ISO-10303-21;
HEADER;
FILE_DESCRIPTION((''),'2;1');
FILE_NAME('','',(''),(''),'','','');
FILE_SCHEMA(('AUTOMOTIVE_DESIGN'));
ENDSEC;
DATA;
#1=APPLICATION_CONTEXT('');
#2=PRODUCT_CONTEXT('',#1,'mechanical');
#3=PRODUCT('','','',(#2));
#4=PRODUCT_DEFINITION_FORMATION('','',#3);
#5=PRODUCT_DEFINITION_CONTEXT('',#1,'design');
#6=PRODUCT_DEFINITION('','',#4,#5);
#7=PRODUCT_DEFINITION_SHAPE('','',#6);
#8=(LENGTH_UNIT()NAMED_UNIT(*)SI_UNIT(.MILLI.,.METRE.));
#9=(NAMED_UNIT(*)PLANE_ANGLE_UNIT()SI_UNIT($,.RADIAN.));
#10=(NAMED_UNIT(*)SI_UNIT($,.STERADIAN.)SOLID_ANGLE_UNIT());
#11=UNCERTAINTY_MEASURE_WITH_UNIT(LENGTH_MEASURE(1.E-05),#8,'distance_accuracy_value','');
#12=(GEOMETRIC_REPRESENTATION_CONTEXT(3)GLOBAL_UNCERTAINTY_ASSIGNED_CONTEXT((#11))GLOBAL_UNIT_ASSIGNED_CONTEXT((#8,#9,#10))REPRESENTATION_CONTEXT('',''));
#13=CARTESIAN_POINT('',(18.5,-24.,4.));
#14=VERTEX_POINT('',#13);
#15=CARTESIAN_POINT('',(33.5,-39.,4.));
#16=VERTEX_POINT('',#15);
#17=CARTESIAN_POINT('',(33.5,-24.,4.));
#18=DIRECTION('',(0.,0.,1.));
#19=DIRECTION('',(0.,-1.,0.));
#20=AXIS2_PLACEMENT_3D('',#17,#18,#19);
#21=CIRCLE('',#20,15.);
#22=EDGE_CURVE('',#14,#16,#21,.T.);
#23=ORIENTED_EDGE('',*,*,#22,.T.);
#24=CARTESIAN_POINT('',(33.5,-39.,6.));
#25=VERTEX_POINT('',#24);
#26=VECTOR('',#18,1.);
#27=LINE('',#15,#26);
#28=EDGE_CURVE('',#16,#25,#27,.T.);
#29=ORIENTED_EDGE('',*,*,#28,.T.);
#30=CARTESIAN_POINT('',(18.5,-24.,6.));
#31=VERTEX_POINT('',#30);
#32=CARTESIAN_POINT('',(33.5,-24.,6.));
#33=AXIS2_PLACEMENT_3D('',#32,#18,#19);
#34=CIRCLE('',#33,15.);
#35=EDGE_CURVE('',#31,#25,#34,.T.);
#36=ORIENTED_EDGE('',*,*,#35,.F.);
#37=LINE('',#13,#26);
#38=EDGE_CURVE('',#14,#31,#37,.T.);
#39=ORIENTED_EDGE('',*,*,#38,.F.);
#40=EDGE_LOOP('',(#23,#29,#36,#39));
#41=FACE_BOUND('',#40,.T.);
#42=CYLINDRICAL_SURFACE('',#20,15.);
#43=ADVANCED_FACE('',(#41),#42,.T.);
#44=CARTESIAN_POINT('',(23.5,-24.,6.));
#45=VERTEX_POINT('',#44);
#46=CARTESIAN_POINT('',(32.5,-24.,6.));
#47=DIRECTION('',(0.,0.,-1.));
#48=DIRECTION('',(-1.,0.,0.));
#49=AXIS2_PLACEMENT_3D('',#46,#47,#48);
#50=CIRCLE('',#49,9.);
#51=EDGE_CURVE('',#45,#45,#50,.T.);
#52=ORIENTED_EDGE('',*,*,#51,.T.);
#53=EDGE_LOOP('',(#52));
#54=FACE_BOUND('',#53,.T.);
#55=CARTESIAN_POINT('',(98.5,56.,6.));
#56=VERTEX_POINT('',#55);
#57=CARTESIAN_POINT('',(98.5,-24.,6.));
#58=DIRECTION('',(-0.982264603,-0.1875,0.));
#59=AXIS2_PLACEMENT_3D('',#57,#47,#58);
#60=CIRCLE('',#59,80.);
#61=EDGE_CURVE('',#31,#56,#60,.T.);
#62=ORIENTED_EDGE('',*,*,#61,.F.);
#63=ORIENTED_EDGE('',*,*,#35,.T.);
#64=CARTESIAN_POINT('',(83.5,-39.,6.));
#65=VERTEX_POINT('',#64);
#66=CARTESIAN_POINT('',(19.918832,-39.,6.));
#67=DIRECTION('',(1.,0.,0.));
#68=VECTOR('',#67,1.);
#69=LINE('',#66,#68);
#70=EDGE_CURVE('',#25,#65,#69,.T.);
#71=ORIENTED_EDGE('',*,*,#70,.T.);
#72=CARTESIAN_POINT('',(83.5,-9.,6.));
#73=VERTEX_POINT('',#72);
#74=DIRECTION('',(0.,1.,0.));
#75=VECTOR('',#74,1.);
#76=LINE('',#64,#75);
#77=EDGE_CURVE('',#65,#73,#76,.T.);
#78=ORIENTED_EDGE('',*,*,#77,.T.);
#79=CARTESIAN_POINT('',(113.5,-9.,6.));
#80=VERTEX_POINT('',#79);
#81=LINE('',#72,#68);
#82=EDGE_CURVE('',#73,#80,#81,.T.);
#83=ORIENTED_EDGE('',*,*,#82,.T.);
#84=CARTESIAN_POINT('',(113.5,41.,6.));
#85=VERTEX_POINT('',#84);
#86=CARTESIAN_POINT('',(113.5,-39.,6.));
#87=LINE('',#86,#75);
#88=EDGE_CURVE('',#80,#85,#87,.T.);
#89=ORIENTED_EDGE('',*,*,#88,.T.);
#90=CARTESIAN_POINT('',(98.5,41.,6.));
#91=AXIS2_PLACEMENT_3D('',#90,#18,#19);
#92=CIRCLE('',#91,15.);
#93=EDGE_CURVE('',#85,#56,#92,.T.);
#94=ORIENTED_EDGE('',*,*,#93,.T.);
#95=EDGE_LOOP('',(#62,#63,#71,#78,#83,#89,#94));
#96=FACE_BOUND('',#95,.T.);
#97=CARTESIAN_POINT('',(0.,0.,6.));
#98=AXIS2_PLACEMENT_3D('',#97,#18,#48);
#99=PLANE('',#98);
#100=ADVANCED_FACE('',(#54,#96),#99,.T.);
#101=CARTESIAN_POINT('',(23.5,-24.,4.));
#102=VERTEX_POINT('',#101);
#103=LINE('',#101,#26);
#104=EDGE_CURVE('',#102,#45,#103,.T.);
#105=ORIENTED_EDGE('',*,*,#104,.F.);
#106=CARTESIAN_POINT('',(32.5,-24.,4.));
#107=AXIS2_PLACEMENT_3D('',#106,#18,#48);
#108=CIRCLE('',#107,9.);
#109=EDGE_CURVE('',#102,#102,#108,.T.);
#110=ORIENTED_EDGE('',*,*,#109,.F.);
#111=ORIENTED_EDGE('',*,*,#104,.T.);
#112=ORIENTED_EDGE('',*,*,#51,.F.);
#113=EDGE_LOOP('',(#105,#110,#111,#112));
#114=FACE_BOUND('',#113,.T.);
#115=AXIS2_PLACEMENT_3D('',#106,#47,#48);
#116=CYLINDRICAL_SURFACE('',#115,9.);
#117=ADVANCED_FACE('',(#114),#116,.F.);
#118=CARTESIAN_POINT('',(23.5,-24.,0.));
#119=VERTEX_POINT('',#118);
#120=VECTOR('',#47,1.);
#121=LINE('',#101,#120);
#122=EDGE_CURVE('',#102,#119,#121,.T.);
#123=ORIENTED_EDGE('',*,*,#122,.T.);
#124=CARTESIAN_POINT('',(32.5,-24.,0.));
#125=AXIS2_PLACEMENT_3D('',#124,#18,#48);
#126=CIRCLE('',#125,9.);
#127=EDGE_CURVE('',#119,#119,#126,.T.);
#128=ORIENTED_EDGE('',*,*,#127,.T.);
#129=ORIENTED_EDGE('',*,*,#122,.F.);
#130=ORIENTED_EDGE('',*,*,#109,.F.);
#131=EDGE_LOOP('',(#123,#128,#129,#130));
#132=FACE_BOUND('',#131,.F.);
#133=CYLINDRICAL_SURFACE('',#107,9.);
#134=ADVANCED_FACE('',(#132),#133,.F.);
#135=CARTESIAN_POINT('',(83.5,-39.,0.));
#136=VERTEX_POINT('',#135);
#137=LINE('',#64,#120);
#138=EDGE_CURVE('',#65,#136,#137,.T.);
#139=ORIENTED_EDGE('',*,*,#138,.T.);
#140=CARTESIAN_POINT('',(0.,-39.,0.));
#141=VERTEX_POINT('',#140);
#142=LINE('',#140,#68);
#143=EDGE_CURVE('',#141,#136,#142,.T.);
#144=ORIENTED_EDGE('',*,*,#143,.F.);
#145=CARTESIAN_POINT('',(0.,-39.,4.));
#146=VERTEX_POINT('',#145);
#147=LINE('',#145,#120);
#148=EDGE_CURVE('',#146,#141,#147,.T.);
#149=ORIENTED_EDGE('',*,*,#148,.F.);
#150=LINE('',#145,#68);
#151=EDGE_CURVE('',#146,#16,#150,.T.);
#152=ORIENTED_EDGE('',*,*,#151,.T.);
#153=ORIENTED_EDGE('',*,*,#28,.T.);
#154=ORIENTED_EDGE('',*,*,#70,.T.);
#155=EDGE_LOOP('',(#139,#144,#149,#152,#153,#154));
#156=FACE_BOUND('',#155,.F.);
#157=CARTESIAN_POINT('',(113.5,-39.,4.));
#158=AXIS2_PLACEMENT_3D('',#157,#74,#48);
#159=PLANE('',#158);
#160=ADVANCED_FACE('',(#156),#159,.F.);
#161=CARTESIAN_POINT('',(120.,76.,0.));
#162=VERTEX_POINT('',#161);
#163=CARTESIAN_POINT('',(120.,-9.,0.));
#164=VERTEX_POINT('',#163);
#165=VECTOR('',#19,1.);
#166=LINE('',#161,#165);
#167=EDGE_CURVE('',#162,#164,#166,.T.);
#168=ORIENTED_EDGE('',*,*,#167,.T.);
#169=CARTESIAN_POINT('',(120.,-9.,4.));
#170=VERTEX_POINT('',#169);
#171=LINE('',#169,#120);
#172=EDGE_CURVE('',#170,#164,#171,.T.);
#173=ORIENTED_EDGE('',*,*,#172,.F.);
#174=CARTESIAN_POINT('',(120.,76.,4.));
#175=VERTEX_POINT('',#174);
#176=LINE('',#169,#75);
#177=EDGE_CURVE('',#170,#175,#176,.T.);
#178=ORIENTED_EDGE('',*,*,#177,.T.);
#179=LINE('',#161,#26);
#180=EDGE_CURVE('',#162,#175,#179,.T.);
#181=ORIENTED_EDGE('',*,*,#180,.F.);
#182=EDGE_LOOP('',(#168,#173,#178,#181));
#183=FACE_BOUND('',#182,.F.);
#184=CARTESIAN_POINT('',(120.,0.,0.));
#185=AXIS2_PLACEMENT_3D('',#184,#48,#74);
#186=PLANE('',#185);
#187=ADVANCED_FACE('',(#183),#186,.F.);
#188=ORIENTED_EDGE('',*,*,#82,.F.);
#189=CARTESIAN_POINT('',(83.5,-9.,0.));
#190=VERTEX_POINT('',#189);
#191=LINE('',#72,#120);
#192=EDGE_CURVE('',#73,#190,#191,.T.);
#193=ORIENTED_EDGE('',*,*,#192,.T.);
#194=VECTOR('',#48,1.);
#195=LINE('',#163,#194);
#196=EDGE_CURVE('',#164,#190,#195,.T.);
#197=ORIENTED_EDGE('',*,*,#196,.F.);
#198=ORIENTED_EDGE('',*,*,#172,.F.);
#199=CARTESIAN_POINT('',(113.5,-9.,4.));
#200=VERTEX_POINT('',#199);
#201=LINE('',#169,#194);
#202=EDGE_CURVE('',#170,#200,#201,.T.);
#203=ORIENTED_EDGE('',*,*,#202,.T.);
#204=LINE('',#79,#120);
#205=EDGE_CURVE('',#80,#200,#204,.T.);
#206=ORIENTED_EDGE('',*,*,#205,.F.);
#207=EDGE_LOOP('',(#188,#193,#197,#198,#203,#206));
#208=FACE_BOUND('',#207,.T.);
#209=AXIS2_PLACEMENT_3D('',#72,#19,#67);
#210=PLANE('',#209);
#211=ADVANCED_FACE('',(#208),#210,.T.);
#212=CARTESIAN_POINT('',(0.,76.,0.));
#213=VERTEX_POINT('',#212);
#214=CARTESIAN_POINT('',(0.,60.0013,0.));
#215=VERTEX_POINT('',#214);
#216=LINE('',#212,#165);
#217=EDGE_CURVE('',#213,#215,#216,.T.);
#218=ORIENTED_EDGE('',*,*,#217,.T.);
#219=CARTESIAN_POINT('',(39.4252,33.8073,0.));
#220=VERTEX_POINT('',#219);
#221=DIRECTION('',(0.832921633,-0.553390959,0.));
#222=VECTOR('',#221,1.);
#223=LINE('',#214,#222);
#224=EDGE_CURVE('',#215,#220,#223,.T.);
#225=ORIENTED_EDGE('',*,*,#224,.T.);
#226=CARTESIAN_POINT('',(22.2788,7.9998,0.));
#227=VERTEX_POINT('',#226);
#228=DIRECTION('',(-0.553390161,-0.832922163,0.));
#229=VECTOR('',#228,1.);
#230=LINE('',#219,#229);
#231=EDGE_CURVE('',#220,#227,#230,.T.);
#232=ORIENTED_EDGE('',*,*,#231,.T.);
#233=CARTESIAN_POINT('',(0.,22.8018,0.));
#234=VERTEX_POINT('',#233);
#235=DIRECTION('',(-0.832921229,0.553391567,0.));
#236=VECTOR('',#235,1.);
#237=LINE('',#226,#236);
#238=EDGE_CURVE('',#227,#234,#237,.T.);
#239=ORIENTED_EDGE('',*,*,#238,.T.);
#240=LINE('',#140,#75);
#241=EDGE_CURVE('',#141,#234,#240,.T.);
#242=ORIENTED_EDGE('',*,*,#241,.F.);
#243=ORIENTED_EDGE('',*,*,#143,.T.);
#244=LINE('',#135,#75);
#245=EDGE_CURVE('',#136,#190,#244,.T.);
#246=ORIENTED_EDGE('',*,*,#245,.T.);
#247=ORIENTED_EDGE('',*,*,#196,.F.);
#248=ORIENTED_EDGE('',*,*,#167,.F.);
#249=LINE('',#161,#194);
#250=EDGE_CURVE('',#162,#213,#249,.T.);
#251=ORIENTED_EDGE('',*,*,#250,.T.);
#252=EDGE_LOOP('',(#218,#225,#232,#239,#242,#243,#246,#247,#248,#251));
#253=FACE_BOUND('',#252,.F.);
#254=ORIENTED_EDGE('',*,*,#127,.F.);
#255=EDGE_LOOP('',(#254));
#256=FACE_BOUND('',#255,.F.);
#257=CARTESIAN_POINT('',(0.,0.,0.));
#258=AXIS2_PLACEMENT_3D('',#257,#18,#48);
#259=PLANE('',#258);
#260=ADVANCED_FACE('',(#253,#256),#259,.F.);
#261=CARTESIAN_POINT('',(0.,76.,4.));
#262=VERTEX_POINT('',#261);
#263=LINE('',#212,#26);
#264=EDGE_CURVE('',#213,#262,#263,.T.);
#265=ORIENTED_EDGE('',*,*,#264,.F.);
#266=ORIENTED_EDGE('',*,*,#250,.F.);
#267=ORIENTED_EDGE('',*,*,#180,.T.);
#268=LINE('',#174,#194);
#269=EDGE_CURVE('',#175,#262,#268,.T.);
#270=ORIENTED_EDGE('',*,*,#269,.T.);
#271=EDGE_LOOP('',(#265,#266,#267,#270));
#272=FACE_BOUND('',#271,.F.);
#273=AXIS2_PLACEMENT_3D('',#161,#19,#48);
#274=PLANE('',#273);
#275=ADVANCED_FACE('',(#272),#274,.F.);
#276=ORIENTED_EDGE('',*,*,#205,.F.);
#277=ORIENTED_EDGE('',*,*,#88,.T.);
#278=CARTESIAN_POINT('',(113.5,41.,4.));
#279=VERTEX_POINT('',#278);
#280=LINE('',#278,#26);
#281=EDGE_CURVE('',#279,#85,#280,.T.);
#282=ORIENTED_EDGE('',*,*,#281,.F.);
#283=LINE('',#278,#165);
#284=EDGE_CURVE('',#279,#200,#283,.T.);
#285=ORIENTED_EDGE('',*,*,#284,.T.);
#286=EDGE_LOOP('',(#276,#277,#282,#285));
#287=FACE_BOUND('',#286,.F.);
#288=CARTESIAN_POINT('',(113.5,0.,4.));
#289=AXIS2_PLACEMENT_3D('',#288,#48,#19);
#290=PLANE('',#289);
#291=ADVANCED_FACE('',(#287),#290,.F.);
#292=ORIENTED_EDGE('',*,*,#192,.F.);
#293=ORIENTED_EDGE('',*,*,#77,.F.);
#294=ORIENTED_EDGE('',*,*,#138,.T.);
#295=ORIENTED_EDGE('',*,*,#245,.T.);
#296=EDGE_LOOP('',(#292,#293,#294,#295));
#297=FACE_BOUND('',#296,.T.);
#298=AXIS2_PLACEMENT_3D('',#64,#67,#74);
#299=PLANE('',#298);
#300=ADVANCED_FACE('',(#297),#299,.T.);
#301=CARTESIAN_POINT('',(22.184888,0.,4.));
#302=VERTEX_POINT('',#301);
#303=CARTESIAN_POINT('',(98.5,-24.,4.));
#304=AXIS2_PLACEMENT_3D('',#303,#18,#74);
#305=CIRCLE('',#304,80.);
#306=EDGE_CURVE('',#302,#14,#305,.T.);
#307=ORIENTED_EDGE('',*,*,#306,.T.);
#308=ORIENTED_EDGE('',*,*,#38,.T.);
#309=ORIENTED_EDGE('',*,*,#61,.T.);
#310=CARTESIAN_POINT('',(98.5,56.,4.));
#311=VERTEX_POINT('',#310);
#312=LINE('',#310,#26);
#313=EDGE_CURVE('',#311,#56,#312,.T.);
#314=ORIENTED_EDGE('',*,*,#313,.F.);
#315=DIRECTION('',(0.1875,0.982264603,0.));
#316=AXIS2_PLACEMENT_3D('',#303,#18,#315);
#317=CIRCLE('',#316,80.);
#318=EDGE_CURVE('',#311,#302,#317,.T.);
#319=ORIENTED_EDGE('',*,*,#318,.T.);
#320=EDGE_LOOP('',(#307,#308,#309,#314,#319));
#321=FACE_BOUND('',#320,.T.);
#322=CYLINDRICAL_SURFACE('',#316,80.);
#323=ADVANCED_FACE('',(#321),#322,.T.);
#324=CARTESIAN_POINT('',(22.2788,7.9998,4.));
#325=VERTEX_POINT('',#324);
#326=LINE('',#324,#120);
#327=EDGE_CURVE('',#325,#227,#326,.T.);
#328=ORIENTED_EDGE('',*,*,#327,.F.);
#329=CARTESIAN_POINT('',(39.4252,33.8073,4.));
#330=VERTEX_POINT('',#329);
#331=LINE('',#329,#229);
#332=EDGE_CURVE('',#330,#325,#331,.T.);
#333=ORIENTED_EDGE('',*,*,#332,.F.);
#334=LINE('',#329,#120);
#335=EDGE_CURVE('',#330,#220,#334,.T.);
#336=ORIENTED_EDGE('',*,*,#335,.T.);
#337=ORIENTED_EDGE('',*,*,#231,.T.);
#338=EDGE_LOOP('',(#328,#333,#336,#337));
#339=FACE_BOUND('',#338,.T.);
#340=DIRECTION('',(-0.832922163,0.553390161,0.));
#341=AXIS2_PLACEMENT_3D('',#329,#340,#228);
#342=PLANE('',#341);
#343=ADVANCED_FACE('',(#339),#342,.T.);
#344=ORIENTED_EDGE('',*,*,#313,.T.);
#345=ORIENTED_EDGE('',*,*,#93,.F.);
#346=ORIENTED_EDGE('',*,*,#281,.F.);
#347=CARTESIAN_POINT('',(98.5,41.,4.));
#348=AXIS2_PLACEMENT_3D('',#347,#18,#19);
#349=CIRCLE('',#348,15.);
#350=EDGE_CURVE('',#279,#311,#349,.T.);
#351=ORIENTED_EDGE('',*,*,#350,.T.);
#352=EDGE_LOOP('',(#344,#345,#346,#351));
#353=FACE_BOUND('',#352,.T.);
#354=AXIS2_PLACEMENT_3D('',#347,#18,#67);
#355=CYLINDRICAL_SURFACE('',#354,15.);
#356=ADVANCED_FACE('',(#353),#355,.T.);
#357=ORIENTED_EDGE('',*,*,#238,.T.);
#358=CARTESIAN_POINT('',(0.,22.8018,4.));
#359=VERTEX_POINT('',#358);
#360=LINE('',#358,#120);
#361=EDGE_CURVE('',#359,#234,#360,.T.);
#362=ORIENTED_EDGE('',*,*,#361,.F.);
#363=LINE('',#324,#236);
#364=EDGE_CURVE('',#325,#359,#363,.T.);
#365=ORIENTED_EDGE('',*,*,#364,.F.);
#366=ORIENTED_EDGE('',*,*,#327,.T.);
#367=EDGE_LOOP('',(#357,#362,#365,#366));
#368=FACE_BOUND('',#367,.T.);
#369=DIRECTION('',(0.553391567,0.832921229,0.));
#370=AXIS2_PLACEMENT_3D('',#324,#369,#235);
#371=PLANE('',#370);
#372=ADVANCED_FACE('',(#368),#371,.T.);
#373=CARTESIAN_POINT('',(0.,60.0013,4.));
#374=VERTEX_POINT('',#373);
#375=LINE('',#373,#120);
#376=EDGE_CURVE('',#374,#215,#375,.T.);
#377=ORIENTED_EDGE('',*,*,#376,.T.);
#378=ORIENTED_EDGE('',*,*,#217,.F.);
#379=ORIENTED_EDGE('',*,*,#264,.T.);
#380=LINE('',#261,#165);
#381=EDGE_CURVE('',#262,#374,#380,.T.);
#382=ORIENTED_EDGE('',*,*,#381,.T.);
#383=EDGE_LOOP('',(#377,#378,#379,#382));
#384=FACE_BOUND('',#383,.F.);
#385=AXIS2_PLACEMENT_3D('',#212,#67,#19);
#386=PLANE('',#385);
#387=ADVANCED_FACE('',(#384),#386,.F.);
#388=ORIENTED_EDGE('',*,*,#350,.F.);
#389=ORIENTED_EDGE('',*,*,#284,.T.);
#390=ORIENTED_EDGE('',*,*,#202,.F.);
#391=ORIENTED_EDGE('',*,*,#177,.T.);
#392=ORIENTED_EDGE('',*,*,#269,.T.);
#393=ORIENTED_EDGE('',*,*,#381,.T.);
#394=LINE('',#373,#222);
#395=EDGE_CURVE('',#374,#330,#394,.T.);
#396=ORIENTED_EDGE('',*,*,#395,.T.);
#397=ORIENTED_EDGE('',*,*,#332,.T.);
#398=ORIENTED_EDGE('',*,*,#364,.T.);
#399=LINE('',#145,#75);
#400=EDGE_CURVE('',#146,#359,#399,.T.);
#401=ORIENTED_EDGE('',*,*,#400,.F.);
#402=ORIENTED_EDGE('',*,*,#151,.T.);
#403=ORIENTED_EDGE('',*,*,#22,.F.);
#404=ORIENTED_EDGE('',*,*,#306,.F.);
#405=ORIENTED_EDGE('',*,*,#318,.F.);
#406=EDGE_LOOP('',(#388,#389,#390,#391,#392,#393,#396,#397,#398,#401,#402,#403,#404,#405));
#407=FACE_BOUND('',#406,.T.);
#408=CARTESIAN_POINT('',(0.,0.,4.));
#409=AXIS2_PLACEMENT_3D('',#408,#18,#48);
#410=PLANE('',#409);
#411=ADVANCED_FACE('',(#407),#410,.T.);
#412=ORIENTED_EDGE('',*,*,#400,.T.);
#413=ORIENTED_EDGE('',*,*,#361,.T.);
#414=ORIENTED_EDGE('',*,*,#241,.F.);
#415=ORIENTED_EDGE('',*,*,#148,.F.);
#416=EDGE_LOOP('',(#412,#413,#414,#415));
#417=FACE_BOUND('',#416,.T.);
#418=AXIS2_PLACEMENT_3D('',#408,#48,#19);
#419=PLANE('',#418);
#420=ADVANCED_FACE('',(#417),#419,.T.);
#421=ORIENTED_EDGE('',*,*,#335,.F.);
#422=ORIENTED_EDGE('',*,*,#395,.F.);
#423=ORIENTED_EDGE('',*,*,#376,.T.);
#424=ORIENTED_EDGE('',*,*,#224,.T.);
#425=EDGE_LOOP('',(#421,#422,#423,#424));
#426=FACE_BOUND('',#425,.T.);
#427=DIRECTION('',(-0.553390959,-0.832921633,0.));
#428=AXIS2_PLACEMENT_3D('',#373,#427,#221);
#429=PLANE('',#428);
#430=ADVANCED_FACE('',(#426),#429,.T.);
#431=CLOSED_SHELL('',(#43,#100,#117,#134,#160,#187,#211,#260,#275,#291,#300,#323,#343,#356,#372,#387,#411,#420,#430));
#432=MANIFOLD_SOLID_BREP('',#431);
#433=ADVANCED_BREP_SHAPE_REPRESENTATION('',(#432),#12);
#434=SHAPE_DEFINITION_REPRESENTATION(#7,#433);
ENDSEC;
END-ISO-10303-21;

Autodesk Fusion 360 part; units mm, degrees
sketch "Colour Detection Mechanism Platform" plane through (0, 0, 0) normal (0, 0, 1) x (1, 0, 0)
  line L0 (0, 0) -> (120, 0)
  line L1 (120, 0) -> (120, 76)
  line L2 (120, 76) -> (0, 76)
  line L3 (0, 76) -> (0, 0)
  dimension "d169" = 120
  dimension "d170" = 76
extrude "Extrude42" add sketch "Colour Detection Mechanism Platform" along normal blind 4
sketch "Smartie Path" plane through (0, 0, 4) normal (0, 0, 1) x (-1, 0, 0)
  line L0 (0, -76) -> (0, 0)
  line L1 (0, 0) -> (-120, 0)
  line L2 (-120, 0) -> (-120, -76)
  line L3 (-120, -76) -> (0, -76)
  circle A0 centre (-98.5, 24) radius 80
  line L4 (-98.5, 24) -> (-113.5, 24)
  line L5 (-113.5, 24) -> (-113.5, -56)
  line L6 (-113.5, -56) -> (-98.5, -56)
  line L7 (-98.5, -56) -> (-98.5, 24)
  line L8 (-98.5, 24) -> (-18.5, 24)
  line L9 (-18.5, 24) -> (-18.5, 39)
  line L10 (-18.5, 39) -> (-98.5, 39)
  line L11 (-98.5, 39) -> (-98.5, 24)
  line L12 (-98.5, 24) -> (-113.5, 24)
  line L13 (-113.5, 24) -> (-113.5, 39)
  line L14 (-113.5, 39) -> (-98.5, 39)
  line L15 (-98.5, 39) -> (-98.5, 24)
  circle A1 centre (-32.5, 24) radius 9
  dimension "d173" = 160
  dimension "d174" = 24
  dimension "d175" = 21.5
  dimension "d176" = 15
  dimension "d177" = 15
  dimension "d178" = 80
  dimension "d179" = 80
  dimension "d184" = 18
  dimension "d185" = 14
extrude "Extrude43" add sketch "Smartie Path" along normal blind 2 contours L1 A0 L7 | L1 A0 L7 L8 A1 | L1 A0 L5 L7 | L1 L4 L5 L7 L12 | A0 L8 L10 L11 L15 A1 | L4 L11 L12 L13 L14 L15
fillet "Fillet2" radius 15 2 edges at (19.9188, -39, 5) (113.5, 54.5812, 5)
extrude "Extrude44" add 1 faces at (89.4665, -20.5529, 4) along direction (0, 0, -1) blind 4
sketch "Servo Hole" plane through (0, 0, 6) normal (0, 0, 1) x (-1, 0, 0)
  circle A0 centre (-32.5, 24) radius 9
  arc A1 (-113.5, -41) -> (-98.5, -56) centre (-98.5, -41) ccw
  arc A2 (-98.5, -56) -> (-18.5, 24) centre (-98.5, 24) ccw
  arc A3 (-18.5, 24) -> (-33.5, 39) centre (-33.5, 24) ccw
  line L0 (-33.5, 39) -> (-113.5, 39)
  line L1 (-113.5, 39) -> (-113.5, -41)
  line L2 (-113.5, 39) -> (-83.5, 39)
  line L3 (-83.5, 39) -> (-83.5, 9)
  line L4 (-83.5, 9) -> (-113.5, 9)
  line L5 (-113.5, 9) -> (-113.5, 39)
  dimension "d188" = 30
  dimension "d189" = 30
extrude "Extrude45" cut sketch "Servo Hole" against normal blind 6 contours L0 L1 L2 L3 L4 L5
sketch "Colour Sensor Holder Hole" plane through (0, 0, 4) normal (0, 0, 1) x (-1, 0, 0)
  line L0 (-120, 0) -> (-120, -76)
  line L1 (-120, -76) -> (0, -76)
  line L2 (0, -76) -> (0, 0)
  line L3 (-113.5, 0) -> (-120, 0)
  arc A0 (-98.5, -56) -> (-22.1849, 0) centre (-98.5, 24) ccw
  arc A1 (-113.5, -41) -> (-98.5, -56) centre (-98.5, -41) ccw
  line L4 (-113.5, -41) -> (-113.5, 0)
  line L5 (0, -59.401) -> (-38.732, -33.6675)
  line L6 (0, -23.4021) -> (-22.139, -8.693)
  line L7 (-38.732, -33.6675) -> (-22.139, -8.693)
  line L8 (0, -60.0013) -> (-39.4252, -33.8073)
  line L9 (-39.4252, -33.8073) -> (-22.2788, -7.9998)
  line L10 (-22.2788, -7.9998) -> (0, -22.8018)
  line L11 (0, 0) -> (-22.1849, 0)
  dimension "d249" = 56.4
  dimension "d250" = 59.401
  dimension "d254" = 56.4
  dimension "d255" = 8.693
  dimension "d256" = 22.139
  dimension "d257" = 23.4021
  dimension "d258" = 38.732
  dimension "d261" = 0.5
  dimension "d262" = 0.5
  dimension "d263" = 0.5
extrude "Extrude58" cut sketch "Colour Sensor Holder Hole" against normal blind 4 contours L2 L5 L6 L7
extrude "Extrude59" cut sketch "Colour Sensor Holder Hole" against normal blind 4 contours L2 L5 L6 L7 L8 L9 L10
sketch "Platform Extension" plane through (0, 0, 4) normal (0, 0, 1) x (-1, 0, 0)
  line L0 (-22.2788, -7.9998) -> (0, -22.8018)
  line L1 (0, -22.8018) -> (0, 0)
  line L2 (0, 0) -> (-22.1849, 0)
  arc A0 (-98.5, -56) -> (-22.1849, 0) centre (-98.5, 24) ccw
  arc A1 (-113.5, -41) -> (-98.5, -56) centre (-98.5, -41) ccw
  line L3 (-113.5, -41) -> (-113.5, 0)
  line L4 (-120, 0) -> (-120, -76)
  line L5 (-120, -76) -> (0, -76)
  line L6 (0, -60.0013) -> (-39.4252, -33.8073)
  line L7 (-39.4252, -33.8073) -> (-22.2788, -7.9998)
  line L8 (-83.5, 9) -> (-113.5, 9)
  line L9 (-113.5, 9) -> (-113.5, -41)
  arc A2 (-113.5, -41) -> (-98.5, -56) centre (-98.5, -41) ccw
  arc A3 (-98.5, -56) -> (-18.5, 24) centre (-98.5, 24) ccw
  arc A4 (-18.5, 24) -> (-33.5, 39) centre (-33.5, 24) ccw
  line L10 (-33.5, 39) -> (-83.5, 39)
  line L11 (-83.5, 39) -> (-83.5, 9)
  circle A5 centre (-32.5, 24) radius 9
  line L12 (0, 0) -> (0, 39)
  line L13 (0, 39) -> (-33.5, 39)
  line L14 (-113.5, 0) -> (-120, 0)
  line L15 (0, -76) -> (0, -60.0013)
  line L16 (-113.5, 0) -> (-120, 0)
  line L17 (-120, 0) -> (-120, 9)
  line L18 (-120, 9) -> (-113.5, 9)
  line L19 (-113.5, 9) -> (-113.5, 0)
extrude "Extrude60" add sketch "Platform Extension" against normal blind 4 contours L2 A3 A4 L12 L13 | L9 L14 L16 L17 L18 L19
